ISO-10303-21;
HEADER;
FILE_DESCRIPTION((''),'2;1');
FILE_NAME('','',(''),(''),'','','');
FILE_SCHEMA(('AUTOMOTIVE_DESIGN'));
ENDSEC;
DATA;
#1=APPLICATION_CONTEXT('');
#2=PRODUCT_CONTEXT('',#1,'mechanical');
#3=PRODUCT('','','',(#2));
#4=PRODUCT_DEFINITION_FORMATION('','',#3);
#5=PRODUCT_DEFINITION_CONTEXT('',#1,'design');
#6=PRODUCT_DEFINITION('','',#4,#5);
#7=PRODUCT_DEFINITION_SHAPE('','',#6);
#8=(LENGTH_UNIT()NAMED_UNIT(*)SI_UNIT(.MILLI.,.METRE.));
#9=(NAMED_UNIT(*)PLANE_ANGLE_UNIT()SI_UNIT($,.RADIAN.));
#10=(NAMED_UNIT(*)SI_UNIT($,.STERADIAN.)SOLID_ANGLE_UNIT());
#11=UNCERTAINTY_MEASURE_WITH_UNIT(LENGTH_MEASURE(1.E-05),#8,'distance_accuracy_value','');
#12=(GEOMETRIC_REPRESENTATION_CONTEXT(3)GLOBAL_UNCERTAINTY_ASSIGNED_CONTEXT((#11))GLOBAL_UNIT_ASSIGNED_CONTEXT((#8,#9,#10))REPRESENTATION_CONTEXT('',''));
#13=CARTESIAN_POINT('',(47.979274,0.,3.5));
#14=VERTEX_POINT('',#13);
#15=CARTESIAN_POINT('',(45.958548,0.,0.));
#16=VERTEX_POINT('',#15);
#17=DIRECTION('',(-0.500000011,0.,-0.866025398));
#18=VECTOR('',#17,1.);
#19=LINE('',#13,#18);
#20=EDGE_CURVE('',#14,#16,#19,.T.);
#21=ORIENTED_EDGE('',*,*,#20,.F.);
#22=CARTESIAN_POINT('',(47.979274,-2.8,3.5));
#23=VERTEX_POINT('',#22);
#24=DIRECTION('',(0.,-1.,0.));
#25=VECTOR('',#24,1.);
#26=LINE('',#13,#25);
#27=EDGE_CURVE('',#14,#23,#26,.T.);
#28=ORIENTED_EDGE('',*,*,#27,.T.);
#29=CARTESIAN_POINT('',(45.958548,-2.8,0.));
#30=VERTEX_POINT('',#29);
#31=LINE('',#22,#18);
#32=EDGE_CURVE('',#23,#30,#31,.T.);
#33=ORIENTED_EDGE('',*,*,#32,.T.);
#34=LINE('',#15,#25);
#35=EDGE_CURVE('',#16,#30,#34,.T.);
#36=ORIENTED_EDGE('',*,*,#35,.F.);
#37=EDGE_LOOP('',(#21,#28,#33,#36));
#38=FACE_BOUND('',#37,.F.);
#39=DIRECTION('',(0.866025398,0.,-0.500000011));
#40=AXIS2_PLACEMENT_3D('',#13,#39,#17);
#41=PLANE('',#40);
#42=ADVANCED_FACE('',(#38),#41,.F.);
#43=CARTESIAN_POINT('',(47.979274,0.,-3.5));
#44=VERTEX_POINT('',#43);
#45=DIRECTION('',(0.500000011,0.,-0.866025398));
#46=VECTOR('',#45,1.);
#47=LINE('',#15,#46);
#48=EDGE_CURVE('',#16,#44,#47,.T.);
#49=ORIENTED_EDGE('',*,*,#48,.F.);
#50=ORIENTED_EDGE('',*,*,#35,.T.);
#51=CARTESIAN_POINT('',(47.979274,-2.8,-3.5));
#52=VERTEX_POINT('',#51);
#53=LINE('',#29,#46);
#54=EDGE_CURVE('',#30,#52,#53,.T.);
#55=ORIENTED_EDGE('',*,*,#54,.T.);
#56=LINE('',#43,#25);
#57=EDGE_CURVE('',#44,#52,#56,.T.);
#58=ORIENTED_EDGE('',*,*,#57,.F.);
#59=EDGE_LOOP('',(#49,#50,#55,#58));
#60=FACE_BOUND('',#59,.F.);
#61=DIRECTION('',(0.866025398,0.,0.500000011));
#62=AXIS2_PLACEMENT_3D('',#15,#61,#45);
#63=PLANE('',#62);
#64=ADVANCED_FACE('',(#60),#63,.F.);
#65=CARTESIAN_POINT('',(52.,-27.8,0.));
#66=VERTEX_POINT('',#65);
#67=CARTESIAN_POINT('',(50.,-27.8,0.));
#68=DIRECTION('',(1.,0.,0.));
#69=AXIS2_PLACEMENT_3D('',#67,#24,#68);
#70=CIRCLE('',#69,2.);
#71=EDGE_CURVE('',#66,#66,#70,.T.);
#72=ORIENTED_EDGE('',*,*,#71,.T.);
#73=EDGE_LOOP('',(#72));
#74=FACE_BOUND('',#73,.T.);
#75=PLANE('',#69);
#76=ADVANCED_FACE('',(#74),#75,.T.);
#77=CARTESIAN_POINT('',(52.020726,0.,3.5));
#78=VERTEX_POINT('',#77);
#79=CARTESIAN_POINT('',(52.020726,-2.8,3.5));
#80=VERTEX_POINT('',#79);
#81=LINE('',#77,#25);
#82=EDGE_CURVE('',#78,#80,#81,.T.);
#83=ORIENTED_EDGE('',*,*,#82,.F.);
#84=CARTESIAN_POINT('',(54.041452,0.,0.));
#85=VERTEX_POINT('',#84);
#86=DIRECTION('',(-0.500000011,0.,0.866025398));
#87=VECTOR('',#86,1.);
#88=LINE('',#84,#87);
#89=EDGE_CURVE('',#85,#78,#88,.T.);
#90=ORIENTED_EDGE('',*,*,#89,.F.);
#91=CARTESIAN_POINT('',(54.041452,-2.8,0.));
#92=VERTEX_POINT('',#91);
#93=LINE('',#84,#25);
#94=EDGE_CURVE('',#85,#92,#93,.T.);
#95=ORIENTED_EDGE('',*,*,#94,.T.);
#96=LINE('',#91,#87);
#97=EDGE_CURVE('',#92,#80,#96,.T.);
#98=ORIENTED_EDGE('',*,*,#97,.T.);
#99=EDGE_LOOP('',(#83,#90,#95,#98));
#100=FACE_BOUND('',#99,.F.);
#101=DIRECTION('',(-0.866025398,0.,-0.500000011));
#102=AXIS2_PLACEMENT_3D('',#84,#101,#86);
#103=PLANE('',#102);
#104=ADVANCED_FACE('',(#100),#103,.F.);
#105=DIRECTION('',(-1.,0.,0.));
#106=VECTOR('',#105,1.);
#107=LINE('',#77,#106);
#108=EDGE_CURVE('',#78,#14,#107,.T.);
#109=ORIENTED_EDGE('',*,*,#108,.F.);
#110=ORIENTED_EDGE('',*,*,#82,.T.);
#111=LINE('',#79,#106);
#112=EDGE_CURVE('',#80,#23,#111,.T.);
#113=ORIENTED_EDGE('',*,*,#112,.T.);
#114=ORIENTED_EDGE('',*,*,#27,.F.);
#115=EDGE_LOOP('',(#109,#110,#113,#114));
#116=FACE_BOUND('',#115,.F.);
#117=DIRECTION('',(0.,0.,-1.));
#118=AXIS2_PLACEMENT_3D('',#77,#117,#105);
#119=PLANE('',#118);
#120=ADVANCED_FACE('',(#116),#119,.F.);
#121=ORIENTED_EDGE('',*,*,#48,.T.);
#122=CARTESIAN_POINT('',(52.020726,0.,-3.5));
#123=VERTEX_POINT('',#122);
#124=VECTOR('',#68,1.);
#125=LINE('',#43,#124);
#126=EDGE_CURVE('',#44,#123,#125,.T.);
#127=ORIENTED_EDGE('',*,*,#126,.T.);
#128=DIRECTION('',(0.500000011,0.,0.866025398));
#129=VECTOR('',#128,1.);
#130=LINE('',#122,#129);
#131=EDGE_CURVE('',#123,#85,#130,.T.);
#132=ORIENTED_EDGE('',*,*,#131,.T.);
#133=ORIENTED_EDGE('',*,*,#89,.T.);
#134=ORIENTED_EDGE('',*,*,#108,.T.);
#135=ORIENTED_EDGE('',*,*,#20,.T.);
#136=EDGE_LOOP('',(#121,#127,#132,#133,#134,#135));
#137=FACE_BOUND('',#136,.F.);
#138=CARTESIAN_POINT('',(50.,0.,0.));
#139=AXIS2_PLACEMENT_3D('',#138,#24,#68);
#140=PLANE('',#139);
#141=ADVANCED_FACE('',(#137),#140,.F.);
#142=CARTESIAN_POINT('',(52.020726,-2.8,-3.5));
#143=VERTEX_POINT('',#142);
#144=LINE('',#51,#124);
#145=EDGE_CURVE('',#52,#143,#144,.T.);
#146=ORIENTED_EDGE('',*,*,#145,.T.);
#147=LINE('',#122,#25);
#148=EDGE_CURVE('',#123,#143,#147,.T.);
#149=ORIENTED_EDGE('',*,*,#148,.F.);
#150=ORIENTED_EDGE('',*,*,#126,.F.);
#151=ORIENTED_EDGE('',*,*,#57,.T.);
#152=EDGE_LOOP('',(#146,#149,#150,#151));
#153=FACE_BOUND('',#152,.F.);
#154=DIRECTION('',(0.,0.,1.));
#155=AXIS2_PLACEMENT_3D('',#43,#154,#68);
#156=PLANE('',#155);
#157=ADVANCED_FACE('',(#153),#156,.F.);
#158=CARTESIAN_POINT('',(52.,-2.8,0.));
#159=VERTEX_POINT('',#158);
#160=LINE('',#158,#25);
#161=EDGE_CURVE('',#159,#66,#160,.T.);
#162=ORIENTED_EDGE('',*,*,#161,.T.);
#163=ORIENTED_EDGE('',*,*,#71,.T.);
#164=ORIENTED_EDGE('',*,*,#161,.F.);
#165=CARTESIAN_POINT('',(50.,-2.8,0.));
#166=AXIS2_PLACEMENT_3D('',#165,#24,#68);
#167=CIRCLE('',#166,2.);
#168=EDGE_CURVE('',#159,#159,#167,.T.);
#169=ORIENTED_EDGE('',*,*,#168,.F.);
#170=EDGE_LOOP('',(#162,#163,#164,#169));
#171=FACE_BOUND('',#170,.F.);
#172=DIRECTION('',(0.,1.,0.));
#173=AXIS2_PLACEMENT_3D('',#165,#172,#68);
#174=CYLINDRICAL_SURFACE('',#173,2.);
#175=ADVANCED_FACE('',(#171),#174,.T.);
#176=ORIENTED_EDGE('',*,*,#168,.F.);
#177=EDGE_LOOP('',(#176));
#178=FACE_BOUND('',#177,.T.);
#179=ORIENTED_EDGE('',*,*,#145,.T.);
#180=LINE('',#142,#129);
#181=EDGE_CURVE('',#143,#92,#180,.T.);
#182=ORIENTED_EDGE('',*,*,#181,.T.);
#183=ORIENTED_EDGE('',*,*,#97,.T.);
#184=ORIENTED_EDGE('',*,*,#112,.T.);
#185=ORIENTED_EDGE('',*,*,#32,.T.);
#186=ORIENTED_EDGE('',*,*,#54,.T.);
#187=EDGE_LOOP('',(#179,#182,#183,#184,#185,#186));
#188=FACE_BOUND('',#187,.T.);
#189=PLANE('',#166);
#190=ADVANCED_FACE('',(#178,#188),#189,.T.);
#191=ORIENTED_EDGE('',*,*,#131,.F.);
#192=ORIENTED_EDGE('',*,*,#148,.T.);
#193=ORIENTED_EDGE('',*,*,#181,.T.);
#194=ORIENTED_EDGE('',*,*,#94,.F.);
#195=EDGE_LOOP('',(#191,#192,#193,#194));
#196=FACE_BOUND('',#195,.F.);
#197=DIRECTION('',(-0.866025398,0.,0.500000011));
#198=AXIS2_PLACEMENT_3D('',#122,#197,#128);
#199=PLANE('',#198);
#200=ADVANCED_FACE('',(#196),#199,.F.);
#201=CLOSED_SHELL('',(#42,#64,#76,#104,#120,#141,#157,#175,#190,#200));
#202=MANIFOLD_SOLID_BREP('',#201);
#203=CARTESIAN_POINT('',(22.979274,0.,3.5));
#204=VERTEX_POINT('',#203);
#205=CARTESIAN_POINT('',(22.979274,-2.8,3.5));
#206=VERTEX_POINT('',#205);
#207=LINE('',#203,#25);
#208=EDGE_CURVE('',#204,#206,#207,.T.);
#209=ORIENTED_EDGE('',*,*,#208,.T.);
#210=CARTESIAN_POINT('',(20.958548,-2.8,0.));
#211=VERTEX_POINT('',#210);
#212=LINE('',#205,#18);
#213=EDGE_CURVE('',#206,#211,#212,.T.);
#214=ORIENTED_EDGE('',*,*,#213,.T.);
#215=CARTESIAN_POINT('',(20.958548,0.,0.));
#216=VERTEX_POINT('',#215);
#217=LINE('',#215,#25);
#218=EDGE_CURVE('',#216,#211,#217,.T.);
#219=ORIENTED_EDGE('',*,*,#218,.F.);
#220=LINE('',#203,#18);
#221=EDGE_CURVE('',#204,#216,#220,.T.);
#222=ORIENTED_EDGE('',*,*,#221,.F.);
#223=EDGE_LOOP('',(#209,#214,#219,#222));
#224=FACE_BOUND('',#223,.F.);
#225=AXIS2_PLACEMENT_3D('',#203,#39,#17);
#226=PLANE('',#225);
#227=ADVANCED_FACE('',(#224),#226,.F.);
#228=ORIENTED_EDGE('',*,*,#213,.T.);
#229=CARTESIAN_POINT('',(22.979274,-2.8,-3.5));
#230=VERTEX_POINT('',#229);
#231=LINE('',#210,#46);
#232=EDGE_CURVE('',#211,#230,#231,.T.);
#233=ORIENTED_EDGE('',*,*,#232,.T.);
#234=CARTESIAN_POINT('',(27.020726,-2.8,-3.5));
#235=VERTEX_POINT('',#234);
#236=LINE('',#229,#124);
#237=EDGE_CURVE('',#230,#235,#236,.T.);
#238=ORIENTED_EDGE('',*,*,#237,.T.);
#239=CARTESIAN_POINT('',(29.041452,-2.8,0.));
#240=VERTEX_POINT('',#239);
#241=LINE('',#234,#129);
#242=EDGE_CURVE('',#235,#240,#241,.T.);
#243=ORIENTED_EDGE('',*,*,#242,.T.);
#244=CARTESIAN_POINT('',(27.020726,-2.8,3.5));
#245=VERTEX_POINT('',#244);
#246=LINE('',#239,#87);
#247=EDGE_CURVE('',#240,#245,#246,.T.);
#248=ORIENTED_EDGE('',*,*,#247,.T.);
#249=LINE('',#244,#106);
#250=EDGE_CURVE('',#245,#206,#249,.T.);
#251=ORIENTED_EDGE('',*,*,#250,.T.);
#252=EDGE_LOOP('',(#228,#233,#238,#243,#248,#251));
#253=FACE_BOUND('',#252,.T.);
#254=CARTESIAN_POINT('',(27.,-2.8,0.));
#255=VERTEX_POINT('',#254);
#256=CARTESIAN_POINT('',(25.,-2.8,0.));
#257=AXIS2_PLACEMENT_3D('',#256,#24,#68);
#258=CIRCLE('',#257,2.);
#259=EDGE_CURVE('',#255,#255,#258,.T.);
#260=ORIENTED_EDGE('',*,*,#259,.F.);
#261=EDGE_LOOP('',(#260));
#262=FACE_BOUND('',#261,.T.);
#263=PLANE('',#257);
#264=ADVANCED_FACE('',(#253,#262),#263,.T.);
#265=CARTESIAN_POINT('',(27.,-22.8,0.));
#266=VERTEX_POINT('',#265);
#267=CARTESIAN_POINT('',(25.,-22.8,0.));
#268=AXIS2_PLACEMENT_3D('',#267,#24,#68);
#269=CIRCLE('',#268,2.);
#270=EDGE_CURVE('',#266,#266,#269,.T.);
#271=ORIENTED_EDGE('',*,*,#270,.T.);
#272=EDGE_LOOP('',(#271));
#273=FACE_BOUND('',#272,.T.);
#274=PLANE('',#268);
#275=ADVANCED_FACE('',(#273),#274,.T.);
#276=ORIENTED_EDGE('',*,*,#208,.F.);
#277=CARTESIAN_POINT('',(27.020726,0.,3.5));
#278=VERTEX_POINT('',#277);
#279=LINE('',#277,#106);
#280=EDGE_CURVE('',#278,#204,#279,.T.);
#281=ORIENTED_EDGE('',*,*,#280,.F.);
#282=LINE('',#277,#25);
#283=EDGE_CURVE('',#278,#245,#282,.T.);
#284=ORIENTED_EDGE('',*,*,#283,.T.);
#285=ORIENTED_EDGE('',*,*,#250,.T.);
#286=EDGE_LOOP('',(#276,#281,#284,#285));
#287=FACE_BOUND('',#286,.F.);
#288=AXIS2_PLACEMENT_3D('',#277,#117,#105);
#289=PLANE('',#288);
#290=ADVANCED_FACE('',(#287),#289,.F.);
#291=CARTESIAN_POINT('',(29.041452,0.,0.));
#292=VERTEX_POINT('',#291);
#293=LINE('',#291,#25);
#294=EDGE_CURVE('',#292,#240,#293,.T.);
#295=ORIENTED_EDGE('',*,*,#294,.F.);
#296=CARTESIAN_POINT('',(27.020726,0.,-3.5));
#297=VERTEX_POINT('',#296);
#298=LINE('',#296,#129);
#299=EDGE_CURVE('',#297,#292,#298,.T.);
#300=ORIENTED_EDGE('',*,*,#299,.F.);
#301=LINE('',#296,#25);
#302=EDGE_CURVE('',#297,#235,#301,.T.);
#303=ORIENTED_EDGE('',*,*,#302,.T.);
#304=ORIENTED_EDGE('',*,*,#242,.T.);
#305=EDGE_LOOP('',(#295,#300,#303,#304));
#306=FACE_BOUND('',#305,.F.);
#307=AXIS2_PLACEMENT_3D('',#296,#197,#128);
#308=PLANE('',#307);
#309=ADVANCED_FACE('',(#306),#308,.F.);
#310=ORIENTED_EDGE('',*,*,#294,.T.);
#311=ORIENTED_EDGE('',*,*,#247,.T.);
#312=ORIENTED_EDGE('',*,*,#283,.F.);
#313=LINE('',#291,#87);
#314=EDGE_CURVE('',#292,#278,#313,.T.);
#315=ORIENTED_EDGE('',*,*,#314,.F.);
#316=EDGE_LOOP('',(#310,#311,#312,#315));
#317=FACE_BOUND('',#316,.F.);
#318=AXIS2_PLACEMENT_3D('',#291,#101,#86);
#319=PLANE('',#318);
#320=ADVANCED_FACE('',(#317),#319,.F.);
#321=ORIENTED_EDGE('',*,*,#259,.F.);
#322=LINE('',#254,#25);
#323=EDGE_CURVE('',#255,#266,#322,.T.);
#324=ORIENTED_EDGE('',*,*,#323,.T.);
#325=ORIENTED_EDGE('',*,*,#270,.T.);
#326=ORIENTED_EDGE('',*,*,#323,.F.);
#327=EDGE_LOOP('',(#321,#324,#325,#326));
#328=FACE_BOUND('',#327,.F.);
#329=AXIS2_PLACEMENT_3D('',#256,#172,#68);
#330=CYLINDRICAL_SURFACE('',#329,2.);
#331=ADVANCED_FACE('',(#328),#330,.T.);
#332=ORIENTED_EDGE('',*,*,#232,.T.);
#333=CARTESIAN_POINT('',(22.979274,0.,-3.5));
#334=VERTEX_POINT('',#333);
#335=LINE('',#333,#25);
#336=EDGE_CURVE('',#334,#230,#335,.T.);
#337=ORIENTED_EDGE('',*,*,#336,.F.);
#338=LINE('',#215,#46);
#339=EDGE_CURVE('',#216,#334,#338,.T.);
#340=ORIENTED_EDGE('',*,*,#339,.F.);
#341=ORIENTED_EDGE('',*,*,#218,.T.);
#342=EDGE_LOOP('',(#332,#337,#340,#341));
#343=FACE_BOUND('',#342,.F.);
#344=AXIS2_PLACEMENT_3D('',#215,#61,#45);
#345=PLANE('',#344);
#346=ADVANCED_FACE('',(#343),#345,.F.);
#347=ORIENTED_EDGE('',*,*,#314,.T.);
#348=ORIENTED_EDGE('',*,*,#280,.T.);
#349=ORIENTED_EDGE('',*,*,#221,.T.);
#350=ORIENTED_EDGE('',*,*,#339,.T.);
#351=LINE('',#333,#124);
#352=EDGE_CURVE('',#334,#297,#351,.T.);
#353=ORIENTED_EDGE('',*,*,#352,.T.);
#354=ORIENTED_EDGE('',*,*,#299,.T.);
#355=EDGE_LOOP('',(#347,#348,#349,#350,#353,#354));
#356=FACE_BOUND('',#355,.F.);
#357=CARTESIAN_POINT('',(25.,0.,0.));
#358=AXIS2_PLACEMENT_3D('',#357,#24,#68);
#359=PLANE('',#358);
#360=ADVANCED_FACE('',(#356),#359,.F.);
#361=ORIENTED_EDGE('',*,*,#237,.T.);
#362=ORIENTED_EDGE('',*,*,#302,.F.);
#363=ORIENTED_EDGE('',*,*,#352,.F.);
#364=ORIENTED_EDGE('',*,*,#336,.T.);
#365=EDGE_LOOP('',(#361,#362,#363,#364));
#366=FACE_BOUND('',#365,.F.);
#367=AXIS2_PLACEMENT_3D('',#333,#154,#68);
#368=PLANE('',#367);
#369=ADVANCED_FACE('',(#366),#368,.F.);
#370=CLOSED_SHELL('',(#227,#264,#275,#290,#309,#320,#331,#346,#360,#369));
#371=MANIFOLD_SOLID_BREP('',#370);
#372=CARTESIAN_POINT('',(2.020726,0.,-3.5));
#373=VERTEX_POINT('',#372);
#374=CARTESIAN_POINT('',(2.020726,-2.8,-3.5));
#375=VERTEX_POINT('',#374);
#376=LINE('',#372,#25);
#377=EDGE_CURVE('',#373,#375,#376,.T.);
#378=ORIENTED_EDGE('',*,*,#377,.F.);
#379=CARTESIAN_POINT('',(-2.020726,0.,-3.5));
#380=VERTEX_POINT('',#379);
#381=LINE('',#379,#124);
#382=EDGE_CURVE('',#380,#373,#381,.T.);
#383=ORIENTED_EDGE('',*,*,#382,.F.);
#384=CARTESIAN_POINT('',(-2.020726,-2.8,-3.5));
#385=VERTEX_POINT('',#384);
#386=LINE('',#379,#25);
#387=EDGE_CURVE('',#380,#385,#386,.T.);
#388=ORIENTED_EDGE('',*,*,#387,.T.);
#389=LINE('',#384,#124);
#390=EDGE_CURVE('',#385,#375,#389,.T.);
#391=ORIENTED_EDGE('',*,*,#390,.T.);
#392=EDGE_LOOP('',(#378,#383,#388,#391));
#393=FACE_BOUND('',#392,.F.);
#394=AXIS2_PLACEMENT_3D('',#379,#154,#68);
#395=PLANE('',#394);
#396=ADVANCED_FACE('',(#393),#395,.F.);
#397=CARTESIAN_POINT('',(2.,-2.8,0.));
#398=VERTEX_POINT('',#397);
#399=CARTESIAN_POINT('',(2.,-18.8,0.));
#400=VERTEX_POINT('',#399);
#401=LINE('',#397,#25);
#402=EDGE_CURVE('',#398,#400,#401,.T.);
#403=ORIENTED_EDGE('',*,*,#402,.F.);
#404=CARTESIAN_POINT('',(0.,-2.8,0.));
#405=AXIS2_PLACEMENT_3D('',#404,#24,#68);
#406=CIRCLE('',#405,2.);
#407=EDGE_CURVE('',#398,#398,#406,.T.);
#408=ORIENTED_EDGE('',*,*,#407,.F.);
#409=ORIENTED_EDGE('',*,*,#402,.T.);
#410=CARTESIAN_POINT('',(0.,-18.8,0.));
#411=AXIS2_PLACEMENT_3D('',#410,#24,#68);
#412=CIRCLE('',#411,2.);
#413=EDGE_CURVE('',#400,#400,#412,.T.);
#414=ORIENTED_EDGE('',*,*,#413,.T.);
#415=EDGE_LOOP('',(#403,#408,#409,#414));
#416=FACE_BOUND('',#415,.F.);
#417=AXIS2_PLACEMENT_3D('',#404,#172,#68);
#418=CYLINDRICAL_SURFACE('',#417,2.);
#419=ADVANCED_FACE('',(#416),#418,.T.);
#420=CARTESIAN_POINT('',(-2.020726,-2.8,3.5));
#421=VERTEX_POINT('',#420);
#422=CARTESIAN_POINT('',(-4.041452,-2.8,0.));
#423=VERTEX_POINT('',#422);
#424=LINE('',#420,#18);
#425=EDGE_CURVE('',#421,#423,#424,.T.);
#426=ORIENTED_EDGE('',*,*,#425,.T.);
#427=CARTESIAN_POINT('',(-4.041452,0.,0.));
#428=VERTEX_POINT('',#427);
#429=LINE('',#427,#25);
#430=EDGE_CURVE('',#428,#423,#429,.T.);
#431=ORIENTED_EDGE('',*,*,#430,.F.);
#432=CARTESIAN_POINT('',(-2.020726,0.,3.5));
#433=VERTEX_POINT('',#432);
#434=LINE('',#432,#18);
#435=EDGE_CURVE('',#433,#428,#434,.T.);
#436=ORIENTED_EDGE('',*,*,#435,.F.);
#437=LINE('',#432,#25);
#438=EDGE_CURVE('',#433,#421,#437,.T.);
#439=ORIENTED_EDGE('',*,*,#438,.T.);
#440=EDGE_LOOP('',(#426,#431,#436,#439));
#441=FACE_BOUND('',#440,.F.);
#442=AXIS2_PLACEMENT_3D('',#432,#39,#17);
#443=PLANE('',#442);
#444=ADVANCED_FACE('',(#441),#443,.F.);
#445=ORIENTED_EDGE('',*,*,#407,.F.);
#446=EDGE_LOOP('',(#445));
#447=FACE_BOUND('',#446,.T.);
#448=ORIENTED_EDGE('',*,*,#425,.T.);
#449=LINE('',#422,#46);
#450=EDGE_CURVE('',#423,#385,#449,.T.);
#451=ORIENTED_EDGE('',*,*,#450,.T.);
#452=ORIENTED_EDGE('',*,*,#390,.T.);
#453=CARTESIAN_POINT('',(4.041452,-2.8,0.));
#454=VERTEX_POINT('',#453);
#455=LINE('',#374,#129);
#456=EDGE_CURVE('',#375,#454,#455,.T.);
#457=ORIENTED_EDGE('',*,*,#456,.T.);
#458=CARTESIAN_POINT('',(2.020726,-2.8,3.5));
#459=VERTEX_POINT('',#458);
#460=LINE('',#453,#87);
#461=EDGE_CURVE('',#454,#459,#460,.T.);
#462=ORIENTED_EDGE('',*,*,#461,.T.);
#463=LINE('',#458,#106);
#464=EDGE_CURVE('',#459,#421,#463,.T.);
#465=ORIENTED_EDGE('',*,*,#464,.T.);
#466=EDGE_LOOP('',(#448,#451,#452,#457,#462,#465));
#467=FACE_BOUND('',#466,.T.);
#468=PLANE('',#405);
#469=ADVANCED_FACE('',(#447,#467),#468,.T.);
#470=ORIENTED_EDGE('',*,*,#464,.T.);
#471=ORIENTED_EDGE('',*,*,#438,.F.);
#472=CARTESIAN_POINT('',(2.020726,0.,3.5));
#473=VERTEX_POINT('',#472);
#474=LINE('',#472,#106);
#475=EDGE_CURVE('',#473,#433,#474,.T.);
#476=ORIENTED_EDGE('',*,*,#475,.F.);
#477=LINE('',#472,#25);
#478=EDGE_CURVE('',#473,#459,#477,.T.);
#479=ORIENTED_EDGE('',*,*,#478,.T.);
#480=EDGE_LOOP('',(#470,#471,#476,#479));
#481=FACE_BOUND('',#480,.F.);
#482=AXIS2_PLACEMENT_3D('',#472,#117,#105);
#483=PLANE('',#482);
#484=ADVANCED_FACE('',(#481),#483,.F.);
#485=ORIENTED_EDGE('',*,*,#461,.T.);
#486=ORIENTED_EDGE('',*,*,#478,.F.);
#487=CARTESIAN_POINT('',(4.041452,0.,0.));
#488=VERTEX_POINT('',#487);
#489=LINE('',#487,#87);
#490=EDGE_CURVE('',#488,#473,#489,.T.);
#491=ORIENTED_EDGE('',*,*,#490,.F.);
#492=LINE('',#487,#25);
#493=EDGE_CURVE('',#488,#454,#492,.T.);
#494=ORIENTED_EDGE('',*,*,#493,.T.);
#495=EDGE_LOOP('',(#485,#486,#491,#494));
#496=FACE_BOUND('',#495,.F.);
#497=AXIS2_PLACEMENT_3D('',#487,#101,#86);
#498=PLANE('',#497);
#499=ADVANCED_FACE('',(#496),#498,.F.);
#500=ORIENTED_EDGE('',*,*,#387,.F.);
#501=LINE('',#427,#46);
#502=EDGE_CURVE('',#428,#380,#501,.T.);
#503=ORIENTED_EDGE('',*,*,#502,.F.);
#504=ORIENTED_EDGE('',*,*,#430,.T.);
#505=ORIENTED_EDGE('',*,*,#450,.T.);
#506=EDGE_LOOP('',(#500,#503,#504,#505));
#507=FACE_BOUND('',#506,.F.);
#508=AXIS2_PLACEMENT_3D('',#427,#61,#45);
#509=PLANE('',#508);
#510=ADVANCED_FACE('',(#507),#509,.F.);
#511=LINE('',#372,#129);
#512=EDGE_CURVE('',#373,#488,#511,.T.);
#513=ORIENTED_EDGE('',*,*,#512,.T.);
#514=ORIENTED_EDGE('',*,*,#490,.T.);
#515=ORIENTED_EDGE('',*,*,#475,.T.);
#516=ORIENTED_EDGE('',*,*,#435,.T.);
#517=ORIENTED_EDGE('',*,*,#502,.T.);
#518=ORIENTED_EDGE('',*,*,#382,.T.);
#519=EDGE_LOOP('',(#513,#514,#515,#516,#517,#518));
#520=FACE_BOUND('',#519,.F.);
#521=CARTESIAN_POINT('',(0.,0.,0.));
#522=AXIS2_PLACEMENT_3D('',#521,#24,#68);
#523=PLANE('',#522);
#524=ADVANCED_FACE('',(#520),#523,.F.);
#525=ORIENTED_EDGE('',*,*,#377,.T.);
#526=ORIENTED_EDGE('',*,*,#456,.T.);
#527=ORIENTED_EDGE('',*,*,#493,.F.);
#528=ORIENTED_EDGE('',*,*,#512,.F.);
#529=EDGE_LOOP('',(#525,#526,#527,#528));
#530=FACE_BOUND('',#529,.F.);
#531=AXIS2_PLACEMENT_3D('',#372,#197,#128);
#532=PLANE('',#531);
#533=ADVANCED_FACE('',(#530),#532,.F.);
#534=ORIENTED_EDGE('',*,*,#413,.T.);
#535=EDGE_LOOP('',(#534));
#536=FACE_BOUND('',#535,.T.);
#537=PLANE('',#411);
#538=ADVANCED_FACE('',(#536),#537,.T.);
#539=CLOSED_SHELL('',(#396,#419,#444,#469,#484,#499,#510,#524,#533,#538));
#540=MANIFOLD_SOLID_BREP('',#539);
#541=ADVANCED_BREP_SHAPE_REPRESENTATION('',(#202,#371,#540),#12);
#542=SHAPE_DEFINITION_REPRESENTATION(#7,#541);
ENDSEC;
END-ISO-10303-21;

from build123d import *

# Parameters (mm, degrees)
F1_DEPTH = 2.8
F2_R     = 2
F3_DEPTH = 16
F4_DEPTH = 20
F5_DEPTH = 25


with BuildPart() as f1:
    # F0 (on Front) → F1 (new body)
    with BuildSketch(Plane.XZ):
        Polygon((4.041452, 0), (2.020726, 3.5), (-2.020726, 3.5), (-4.041452, 0), (-2.020726, -3.5), (2.020726, -3.5), align=None)
        Polygon((29.041452, 0), (27.020726, 3.5), (22.979274, 3.5), (20.958548, 0), (22.979274, -3.5), (27.020726, -3.5), align=None)
        Polygon((54.041452, 0), (52.020726, 3.5), (47.979274, 3.5), (45.958548, 0), (47.979274, -3.5), (52.020726, -3.5), align=None)
    extrude(amount=F1_DEPTH)

    # F2 (on face) → F3 (join)
    with BuildSketch(Plane.XZ.offset(2.8)):
        Circle(F2_R)
    extrude(amount=F3_DEPTH)

    # F2 (on face) → F4 (join)
    with BuildSketch(Plane.XZ.offset(2.8)):
        with Locations((25, 0)):
            Circle(F2_R)
    extrude(amount=F4_DEPTH)

    # F2 (on face) → F5 (join)
    with BuildSketch(Plane.XZ.offset(2.8)):
        with Locations((50, 0)):
            Circle(F2_R)
    extrude(amount=F5_DEPTH)


solid = f1.part
